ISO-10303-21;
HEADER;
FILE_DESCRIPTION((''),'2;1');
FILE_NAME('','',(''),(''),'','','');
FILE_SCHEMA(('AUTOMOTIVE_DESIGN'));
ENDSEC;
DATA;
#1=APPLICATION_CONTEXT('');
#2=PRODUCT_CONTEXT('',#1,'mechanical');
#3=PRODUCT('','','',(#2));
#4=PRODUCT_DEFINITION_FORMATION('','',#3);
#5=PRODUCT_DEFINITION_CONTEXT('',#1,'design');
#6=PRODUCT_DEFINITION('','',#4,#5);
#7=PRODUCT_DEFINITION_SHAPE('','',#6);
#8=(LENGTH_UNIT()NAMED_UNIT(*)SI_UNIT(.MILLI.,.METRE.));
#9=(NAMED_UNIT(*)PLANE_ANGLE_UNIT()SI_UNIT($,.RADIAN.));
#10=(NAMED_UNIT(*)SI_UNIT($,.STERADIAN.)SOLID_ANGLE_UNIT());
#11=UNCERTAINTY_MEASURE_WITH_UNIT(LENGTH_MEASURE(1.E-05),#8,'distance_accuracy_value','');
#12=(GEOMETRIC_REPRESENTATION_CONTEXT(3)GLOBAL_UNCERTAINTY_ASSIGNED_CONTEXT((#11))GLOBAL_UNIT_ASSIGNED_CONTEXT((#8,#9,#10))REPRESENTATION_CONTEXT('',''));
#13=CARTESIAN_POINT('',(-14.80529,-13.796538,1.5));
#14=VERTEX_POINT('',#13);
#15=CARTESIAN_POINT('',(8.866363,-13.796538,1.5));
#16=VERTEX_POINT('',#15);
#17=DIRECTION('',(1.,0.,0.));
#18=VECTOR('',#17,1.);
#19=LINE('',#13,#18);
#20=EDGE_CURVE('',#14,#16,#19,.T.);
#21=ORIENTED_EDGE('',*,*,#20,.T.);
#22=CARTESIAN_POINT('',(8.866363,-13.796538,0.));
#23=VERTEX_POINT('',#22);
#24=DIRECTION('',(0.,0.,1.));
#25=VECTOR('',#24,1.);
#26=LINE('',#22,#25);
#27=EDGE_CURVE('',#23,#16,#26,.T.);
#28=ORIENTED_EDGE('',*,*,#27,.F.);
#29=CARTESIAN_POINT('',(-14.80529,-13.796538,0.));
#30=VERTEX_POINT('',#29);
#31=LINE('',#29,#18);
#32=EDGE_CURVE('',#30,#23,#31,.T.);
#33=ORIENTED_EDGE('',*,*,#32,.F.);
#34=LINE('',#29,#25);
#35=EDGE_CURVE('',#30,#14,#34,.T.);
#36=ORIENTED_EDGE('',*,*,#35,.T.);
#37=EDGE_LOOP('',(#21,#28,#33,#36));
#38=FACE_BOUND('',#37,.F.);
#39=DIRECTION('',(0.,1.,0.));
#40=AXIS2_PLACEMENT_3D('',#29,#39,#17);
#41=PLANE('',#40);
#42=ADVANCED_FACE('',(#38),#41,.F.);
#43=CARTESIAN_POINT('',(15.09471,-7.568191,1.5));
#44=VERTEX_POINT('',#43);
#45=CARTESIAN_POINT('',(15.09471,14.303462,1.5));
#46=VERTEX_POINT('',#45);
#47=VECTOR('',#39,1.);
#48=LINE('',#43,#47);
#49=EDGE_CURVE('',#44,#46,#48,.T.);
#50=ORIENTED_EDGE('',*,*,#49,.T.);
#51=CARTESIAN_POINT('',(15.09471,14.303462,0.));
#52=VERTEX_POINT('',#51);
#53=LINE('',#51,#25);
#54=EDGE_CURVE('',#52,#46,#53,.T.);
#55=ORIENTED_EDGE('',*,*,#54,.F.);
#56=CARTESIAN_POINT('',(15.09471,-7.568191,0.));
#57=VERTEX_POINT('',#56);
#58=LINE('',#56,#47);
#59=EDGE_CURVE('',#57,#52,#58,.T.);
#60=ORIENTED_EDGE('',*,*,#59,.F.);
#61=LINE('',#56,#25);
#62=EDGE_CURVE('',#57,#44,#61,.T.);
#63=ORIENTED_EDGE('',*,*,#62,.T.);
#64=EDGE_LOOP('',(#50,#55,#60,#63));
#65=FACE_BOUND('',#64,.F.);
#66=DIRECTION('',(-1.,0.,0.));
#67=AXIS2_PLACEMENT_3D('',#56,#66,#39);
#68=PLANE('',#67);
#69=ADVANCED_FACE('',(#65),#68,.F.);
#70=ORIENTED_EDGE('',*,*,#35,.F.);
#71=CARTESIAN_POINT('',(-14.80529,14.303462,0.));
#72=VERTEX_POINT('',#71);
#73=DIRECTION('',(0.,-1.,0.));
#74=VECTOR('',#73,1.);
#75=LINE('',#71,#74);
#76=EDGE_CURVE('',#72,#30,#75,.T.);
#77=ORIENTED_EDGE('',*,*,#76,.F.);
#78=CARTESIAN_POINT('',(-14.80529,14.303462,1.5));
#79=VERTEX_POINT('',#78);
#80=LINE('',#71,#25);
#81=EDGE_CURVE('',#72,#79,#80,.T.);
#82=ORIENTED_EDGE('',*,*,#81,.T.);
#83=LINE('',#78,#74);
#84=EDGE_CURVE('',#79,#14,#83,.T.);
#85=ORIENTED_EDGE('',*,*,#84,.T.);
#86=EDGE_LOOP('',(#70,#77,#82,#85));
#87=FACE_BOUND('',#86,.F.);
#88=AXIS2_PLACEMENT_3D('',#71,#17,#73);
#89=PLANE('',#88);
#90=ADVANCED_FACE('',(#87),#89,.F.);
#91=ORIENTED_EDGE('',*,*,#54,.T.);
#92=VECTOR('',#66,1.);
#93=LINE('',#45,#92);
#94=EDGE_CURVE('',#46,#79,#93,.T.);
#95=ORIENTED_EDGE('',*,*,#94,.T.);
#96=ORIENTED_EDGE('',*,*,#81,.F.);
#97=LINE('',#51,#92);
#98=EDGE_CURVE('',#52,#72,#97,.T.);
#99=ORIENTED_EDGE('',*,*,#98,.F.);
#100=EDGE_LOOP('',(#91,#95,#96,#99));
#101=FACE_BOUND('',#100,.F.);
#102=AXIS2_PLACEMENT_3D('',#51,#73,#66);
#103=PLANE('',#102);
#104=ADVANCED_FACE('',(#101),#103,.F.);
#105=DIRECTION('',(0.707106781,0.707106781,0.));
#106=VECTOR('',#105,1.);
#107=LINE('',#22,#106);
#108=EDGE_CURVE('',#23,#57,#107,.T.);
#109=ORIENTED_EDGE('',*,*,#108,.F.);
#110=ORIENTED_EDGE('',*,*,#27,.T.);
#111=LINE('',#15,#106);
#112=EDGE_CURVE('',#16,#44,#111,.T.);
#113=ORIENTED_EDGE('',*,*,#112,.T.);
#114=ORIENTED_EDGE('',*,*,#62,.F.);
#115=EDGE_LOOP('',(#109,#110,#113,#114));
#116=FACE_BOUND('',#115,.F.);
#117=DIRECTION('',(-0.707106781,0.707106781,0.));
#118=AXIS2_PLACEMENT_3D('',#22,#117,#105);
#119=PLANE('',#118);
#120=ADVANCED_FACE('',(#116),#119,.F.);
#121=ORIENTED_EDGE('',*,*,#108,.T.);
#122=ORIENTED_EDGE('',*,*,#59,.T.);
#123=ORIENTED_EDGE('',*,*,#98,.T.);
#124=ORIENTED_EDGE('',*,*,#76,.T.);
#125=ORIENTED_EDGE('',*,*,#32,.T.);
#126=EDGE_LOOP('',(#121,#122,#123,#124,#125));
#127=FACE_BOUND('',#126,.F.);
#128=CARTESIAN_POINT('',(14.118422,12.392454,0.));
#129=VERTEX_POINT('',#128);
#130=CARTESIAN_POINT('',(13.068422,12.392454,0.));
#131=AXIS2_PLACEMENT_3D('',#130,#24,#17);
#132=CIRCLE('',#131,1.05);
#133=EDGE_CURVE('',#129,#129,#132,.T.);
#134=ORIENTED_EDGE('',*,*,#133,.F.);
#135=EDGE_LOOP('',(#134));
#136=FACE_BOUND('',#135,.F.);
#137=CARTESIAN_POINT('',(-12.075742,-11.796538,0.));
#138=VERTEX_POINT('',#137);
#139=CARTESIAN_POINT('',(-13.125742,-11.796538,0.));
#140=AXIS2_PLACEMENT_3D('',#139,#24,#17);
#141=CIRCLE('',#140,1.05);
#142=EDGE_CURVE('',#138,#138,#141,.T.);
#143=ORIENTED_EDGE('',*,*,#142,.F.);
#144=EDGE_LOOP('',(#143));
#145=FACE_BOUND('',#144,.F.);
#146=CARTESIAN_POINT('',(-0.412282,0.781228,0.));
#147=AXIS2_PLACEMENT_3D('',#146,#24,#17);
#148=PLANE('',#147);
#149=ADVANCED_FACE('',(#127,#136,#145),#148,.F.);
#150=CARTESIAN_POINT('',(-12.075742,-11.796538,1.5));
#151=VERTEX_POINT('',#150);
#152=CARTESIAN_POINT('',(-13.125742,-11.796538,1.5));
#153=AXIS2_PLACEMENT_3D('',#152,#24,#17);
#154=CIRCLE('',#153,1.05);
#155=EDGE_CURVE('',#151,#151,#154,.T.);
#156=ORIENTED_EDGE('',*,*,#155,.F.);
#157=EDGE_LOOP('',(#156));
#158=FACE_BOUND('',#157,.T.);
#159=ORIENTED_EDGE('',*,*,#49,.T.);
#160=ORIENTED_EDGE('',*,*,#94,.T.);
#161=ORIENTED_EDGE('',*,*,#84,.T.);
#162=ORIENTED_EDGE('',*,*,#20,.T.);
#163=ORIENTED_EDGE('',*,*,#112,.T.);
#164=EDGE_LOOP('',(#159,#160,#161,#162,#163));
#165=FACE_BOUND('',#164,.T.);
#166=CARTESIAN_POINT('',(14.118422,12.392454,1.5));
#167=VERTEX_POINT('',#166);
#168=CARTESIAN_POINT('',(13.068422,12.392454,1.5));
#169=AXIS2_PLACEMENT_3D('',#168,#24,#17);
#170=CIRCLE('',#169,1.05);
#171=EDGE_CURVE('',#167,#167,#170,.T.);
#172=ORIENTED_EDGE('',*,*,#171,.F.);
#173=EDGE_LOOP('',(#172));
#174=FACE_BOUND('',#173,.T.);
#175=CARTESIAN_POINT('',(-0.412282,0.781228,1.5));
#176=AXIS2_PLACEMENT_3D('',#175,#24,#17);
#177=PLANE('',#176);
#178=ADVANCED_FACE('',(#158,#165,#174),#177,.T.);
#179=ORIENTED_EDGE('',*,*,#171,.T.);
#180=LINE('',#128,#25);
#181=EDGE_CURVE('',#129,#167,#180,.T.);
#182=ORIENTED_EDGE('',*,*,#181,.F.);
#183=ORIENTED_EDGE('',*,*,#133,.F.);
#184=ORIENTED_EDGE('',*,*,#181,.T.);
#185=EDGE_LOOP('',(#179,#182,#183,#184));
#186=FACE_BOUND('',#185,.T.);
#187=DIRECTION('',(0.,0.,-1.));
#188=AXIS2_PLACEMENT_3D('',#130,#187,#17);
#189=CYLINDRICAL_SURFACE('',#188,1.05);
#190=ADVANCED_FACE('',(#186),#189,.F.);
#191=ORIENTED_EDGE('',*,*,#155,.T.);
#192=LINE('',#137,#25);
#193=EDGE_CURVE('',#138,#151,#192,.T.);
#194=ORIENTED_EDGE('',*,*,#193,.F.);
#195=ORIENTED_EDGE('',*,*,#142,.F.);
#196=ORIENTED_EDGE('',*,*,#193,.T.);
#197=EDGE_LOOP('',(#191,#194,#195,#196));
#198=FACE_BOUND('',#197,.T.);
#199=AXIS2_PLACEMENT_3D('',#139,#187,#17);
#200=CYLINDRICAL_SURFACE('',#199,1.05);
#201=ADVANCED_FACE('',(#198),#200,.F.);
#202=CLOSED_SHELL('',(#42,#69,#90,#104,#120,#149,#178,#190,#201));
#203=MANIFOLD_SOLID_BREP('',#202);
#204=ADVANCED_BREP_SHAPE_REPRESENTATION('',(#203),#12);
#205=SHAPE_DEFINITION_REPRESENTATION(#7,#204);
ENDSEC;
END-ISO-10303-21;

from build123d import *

# Parameters (mm, degrees)
F0_R     = 1.05
F1_DEPTH = 1.5


with BuildPart() as f1:
    # F0 (on Top) → F1 (new body)
    with BuildSketch(Plane.XY):
        Polygon((15.09471, -7.568191), (15.09471, 14.303462), (-14.80529, 14.303462), (-14.80529, -13.796538), (8.866363, -13.796538), align=None)
        with Locations((-13.125742, -11.796538)):
            Circle(F0_R, mode=Mode.SUBTRACT)
        Polygon((-13.30529, 7.762757), (-13.30529, 12.803533), (-7.466408, 12.803533), (4.445195, 12.803533), (10.246226, 12.803533), (12.438802, 10.717391), (13.604544, 9.608238), (13.604544, 5.855257), (13.604544, 2.415531), (13.604544, 1.361999), (13.604544, -2.344804), (13.604544, -4.056675), (13.604544, -6.884241), (8.149035, -12.33975), (-10.196346, -12.33975), (-13.30529, -8.629512), (-13.30529, -6.884241), (-13.30529, -2.344804), (-13.30529, 2.415531), align=None, mode=Mode.SUBTRACT)
        with Locations((13.068422, 12.392454)):
            Circle(F0_R, mode=Mode.SUBTRACT)
        Polygon((-7.466408, 12.803533), (-13.30529, 12.803533), (-13.30529, 7.762757), align=None)
        Polygon((-7.466408, 12.803533), (-13.30529, 7.762757), (4.445195, 12.803533), align=None)
        Polygon((4.445195, 12.803533), (-13.30529, 7.762757), (-13.30529, 2.415531), (12.438802, 10.717391), (10.246226, 12.803533), align=None)
        Polygon((12.438802, 10.717391), (-13.30529, 2.415531), (-13.30529, -2.344804), (13.604544, 5.855257), (13.604544, 9.608238), align=None)
        Polygon((13.604544, 5.855257), (-13.30529, -2.344804), (-13.30529, -6.884241), (-13.30529, -8.629512), (13.604544, 1.361999), (13.604544, 2.415531), align=None)
        Polygon((13.604544, 1.361999), (-13.30529, -8.629512), (-10.196346, -12.33975), (13.604544, -4.056675), (13.604544, -2.344804), align=None)
        Polygon((13.604544, -4.056675), (-10.196346, -12.33975), (8.149035, -12.33975), (13.604544, -6.884241), align=None)
    extrude(amount=F1_DEPTH)


solid = f1.part
